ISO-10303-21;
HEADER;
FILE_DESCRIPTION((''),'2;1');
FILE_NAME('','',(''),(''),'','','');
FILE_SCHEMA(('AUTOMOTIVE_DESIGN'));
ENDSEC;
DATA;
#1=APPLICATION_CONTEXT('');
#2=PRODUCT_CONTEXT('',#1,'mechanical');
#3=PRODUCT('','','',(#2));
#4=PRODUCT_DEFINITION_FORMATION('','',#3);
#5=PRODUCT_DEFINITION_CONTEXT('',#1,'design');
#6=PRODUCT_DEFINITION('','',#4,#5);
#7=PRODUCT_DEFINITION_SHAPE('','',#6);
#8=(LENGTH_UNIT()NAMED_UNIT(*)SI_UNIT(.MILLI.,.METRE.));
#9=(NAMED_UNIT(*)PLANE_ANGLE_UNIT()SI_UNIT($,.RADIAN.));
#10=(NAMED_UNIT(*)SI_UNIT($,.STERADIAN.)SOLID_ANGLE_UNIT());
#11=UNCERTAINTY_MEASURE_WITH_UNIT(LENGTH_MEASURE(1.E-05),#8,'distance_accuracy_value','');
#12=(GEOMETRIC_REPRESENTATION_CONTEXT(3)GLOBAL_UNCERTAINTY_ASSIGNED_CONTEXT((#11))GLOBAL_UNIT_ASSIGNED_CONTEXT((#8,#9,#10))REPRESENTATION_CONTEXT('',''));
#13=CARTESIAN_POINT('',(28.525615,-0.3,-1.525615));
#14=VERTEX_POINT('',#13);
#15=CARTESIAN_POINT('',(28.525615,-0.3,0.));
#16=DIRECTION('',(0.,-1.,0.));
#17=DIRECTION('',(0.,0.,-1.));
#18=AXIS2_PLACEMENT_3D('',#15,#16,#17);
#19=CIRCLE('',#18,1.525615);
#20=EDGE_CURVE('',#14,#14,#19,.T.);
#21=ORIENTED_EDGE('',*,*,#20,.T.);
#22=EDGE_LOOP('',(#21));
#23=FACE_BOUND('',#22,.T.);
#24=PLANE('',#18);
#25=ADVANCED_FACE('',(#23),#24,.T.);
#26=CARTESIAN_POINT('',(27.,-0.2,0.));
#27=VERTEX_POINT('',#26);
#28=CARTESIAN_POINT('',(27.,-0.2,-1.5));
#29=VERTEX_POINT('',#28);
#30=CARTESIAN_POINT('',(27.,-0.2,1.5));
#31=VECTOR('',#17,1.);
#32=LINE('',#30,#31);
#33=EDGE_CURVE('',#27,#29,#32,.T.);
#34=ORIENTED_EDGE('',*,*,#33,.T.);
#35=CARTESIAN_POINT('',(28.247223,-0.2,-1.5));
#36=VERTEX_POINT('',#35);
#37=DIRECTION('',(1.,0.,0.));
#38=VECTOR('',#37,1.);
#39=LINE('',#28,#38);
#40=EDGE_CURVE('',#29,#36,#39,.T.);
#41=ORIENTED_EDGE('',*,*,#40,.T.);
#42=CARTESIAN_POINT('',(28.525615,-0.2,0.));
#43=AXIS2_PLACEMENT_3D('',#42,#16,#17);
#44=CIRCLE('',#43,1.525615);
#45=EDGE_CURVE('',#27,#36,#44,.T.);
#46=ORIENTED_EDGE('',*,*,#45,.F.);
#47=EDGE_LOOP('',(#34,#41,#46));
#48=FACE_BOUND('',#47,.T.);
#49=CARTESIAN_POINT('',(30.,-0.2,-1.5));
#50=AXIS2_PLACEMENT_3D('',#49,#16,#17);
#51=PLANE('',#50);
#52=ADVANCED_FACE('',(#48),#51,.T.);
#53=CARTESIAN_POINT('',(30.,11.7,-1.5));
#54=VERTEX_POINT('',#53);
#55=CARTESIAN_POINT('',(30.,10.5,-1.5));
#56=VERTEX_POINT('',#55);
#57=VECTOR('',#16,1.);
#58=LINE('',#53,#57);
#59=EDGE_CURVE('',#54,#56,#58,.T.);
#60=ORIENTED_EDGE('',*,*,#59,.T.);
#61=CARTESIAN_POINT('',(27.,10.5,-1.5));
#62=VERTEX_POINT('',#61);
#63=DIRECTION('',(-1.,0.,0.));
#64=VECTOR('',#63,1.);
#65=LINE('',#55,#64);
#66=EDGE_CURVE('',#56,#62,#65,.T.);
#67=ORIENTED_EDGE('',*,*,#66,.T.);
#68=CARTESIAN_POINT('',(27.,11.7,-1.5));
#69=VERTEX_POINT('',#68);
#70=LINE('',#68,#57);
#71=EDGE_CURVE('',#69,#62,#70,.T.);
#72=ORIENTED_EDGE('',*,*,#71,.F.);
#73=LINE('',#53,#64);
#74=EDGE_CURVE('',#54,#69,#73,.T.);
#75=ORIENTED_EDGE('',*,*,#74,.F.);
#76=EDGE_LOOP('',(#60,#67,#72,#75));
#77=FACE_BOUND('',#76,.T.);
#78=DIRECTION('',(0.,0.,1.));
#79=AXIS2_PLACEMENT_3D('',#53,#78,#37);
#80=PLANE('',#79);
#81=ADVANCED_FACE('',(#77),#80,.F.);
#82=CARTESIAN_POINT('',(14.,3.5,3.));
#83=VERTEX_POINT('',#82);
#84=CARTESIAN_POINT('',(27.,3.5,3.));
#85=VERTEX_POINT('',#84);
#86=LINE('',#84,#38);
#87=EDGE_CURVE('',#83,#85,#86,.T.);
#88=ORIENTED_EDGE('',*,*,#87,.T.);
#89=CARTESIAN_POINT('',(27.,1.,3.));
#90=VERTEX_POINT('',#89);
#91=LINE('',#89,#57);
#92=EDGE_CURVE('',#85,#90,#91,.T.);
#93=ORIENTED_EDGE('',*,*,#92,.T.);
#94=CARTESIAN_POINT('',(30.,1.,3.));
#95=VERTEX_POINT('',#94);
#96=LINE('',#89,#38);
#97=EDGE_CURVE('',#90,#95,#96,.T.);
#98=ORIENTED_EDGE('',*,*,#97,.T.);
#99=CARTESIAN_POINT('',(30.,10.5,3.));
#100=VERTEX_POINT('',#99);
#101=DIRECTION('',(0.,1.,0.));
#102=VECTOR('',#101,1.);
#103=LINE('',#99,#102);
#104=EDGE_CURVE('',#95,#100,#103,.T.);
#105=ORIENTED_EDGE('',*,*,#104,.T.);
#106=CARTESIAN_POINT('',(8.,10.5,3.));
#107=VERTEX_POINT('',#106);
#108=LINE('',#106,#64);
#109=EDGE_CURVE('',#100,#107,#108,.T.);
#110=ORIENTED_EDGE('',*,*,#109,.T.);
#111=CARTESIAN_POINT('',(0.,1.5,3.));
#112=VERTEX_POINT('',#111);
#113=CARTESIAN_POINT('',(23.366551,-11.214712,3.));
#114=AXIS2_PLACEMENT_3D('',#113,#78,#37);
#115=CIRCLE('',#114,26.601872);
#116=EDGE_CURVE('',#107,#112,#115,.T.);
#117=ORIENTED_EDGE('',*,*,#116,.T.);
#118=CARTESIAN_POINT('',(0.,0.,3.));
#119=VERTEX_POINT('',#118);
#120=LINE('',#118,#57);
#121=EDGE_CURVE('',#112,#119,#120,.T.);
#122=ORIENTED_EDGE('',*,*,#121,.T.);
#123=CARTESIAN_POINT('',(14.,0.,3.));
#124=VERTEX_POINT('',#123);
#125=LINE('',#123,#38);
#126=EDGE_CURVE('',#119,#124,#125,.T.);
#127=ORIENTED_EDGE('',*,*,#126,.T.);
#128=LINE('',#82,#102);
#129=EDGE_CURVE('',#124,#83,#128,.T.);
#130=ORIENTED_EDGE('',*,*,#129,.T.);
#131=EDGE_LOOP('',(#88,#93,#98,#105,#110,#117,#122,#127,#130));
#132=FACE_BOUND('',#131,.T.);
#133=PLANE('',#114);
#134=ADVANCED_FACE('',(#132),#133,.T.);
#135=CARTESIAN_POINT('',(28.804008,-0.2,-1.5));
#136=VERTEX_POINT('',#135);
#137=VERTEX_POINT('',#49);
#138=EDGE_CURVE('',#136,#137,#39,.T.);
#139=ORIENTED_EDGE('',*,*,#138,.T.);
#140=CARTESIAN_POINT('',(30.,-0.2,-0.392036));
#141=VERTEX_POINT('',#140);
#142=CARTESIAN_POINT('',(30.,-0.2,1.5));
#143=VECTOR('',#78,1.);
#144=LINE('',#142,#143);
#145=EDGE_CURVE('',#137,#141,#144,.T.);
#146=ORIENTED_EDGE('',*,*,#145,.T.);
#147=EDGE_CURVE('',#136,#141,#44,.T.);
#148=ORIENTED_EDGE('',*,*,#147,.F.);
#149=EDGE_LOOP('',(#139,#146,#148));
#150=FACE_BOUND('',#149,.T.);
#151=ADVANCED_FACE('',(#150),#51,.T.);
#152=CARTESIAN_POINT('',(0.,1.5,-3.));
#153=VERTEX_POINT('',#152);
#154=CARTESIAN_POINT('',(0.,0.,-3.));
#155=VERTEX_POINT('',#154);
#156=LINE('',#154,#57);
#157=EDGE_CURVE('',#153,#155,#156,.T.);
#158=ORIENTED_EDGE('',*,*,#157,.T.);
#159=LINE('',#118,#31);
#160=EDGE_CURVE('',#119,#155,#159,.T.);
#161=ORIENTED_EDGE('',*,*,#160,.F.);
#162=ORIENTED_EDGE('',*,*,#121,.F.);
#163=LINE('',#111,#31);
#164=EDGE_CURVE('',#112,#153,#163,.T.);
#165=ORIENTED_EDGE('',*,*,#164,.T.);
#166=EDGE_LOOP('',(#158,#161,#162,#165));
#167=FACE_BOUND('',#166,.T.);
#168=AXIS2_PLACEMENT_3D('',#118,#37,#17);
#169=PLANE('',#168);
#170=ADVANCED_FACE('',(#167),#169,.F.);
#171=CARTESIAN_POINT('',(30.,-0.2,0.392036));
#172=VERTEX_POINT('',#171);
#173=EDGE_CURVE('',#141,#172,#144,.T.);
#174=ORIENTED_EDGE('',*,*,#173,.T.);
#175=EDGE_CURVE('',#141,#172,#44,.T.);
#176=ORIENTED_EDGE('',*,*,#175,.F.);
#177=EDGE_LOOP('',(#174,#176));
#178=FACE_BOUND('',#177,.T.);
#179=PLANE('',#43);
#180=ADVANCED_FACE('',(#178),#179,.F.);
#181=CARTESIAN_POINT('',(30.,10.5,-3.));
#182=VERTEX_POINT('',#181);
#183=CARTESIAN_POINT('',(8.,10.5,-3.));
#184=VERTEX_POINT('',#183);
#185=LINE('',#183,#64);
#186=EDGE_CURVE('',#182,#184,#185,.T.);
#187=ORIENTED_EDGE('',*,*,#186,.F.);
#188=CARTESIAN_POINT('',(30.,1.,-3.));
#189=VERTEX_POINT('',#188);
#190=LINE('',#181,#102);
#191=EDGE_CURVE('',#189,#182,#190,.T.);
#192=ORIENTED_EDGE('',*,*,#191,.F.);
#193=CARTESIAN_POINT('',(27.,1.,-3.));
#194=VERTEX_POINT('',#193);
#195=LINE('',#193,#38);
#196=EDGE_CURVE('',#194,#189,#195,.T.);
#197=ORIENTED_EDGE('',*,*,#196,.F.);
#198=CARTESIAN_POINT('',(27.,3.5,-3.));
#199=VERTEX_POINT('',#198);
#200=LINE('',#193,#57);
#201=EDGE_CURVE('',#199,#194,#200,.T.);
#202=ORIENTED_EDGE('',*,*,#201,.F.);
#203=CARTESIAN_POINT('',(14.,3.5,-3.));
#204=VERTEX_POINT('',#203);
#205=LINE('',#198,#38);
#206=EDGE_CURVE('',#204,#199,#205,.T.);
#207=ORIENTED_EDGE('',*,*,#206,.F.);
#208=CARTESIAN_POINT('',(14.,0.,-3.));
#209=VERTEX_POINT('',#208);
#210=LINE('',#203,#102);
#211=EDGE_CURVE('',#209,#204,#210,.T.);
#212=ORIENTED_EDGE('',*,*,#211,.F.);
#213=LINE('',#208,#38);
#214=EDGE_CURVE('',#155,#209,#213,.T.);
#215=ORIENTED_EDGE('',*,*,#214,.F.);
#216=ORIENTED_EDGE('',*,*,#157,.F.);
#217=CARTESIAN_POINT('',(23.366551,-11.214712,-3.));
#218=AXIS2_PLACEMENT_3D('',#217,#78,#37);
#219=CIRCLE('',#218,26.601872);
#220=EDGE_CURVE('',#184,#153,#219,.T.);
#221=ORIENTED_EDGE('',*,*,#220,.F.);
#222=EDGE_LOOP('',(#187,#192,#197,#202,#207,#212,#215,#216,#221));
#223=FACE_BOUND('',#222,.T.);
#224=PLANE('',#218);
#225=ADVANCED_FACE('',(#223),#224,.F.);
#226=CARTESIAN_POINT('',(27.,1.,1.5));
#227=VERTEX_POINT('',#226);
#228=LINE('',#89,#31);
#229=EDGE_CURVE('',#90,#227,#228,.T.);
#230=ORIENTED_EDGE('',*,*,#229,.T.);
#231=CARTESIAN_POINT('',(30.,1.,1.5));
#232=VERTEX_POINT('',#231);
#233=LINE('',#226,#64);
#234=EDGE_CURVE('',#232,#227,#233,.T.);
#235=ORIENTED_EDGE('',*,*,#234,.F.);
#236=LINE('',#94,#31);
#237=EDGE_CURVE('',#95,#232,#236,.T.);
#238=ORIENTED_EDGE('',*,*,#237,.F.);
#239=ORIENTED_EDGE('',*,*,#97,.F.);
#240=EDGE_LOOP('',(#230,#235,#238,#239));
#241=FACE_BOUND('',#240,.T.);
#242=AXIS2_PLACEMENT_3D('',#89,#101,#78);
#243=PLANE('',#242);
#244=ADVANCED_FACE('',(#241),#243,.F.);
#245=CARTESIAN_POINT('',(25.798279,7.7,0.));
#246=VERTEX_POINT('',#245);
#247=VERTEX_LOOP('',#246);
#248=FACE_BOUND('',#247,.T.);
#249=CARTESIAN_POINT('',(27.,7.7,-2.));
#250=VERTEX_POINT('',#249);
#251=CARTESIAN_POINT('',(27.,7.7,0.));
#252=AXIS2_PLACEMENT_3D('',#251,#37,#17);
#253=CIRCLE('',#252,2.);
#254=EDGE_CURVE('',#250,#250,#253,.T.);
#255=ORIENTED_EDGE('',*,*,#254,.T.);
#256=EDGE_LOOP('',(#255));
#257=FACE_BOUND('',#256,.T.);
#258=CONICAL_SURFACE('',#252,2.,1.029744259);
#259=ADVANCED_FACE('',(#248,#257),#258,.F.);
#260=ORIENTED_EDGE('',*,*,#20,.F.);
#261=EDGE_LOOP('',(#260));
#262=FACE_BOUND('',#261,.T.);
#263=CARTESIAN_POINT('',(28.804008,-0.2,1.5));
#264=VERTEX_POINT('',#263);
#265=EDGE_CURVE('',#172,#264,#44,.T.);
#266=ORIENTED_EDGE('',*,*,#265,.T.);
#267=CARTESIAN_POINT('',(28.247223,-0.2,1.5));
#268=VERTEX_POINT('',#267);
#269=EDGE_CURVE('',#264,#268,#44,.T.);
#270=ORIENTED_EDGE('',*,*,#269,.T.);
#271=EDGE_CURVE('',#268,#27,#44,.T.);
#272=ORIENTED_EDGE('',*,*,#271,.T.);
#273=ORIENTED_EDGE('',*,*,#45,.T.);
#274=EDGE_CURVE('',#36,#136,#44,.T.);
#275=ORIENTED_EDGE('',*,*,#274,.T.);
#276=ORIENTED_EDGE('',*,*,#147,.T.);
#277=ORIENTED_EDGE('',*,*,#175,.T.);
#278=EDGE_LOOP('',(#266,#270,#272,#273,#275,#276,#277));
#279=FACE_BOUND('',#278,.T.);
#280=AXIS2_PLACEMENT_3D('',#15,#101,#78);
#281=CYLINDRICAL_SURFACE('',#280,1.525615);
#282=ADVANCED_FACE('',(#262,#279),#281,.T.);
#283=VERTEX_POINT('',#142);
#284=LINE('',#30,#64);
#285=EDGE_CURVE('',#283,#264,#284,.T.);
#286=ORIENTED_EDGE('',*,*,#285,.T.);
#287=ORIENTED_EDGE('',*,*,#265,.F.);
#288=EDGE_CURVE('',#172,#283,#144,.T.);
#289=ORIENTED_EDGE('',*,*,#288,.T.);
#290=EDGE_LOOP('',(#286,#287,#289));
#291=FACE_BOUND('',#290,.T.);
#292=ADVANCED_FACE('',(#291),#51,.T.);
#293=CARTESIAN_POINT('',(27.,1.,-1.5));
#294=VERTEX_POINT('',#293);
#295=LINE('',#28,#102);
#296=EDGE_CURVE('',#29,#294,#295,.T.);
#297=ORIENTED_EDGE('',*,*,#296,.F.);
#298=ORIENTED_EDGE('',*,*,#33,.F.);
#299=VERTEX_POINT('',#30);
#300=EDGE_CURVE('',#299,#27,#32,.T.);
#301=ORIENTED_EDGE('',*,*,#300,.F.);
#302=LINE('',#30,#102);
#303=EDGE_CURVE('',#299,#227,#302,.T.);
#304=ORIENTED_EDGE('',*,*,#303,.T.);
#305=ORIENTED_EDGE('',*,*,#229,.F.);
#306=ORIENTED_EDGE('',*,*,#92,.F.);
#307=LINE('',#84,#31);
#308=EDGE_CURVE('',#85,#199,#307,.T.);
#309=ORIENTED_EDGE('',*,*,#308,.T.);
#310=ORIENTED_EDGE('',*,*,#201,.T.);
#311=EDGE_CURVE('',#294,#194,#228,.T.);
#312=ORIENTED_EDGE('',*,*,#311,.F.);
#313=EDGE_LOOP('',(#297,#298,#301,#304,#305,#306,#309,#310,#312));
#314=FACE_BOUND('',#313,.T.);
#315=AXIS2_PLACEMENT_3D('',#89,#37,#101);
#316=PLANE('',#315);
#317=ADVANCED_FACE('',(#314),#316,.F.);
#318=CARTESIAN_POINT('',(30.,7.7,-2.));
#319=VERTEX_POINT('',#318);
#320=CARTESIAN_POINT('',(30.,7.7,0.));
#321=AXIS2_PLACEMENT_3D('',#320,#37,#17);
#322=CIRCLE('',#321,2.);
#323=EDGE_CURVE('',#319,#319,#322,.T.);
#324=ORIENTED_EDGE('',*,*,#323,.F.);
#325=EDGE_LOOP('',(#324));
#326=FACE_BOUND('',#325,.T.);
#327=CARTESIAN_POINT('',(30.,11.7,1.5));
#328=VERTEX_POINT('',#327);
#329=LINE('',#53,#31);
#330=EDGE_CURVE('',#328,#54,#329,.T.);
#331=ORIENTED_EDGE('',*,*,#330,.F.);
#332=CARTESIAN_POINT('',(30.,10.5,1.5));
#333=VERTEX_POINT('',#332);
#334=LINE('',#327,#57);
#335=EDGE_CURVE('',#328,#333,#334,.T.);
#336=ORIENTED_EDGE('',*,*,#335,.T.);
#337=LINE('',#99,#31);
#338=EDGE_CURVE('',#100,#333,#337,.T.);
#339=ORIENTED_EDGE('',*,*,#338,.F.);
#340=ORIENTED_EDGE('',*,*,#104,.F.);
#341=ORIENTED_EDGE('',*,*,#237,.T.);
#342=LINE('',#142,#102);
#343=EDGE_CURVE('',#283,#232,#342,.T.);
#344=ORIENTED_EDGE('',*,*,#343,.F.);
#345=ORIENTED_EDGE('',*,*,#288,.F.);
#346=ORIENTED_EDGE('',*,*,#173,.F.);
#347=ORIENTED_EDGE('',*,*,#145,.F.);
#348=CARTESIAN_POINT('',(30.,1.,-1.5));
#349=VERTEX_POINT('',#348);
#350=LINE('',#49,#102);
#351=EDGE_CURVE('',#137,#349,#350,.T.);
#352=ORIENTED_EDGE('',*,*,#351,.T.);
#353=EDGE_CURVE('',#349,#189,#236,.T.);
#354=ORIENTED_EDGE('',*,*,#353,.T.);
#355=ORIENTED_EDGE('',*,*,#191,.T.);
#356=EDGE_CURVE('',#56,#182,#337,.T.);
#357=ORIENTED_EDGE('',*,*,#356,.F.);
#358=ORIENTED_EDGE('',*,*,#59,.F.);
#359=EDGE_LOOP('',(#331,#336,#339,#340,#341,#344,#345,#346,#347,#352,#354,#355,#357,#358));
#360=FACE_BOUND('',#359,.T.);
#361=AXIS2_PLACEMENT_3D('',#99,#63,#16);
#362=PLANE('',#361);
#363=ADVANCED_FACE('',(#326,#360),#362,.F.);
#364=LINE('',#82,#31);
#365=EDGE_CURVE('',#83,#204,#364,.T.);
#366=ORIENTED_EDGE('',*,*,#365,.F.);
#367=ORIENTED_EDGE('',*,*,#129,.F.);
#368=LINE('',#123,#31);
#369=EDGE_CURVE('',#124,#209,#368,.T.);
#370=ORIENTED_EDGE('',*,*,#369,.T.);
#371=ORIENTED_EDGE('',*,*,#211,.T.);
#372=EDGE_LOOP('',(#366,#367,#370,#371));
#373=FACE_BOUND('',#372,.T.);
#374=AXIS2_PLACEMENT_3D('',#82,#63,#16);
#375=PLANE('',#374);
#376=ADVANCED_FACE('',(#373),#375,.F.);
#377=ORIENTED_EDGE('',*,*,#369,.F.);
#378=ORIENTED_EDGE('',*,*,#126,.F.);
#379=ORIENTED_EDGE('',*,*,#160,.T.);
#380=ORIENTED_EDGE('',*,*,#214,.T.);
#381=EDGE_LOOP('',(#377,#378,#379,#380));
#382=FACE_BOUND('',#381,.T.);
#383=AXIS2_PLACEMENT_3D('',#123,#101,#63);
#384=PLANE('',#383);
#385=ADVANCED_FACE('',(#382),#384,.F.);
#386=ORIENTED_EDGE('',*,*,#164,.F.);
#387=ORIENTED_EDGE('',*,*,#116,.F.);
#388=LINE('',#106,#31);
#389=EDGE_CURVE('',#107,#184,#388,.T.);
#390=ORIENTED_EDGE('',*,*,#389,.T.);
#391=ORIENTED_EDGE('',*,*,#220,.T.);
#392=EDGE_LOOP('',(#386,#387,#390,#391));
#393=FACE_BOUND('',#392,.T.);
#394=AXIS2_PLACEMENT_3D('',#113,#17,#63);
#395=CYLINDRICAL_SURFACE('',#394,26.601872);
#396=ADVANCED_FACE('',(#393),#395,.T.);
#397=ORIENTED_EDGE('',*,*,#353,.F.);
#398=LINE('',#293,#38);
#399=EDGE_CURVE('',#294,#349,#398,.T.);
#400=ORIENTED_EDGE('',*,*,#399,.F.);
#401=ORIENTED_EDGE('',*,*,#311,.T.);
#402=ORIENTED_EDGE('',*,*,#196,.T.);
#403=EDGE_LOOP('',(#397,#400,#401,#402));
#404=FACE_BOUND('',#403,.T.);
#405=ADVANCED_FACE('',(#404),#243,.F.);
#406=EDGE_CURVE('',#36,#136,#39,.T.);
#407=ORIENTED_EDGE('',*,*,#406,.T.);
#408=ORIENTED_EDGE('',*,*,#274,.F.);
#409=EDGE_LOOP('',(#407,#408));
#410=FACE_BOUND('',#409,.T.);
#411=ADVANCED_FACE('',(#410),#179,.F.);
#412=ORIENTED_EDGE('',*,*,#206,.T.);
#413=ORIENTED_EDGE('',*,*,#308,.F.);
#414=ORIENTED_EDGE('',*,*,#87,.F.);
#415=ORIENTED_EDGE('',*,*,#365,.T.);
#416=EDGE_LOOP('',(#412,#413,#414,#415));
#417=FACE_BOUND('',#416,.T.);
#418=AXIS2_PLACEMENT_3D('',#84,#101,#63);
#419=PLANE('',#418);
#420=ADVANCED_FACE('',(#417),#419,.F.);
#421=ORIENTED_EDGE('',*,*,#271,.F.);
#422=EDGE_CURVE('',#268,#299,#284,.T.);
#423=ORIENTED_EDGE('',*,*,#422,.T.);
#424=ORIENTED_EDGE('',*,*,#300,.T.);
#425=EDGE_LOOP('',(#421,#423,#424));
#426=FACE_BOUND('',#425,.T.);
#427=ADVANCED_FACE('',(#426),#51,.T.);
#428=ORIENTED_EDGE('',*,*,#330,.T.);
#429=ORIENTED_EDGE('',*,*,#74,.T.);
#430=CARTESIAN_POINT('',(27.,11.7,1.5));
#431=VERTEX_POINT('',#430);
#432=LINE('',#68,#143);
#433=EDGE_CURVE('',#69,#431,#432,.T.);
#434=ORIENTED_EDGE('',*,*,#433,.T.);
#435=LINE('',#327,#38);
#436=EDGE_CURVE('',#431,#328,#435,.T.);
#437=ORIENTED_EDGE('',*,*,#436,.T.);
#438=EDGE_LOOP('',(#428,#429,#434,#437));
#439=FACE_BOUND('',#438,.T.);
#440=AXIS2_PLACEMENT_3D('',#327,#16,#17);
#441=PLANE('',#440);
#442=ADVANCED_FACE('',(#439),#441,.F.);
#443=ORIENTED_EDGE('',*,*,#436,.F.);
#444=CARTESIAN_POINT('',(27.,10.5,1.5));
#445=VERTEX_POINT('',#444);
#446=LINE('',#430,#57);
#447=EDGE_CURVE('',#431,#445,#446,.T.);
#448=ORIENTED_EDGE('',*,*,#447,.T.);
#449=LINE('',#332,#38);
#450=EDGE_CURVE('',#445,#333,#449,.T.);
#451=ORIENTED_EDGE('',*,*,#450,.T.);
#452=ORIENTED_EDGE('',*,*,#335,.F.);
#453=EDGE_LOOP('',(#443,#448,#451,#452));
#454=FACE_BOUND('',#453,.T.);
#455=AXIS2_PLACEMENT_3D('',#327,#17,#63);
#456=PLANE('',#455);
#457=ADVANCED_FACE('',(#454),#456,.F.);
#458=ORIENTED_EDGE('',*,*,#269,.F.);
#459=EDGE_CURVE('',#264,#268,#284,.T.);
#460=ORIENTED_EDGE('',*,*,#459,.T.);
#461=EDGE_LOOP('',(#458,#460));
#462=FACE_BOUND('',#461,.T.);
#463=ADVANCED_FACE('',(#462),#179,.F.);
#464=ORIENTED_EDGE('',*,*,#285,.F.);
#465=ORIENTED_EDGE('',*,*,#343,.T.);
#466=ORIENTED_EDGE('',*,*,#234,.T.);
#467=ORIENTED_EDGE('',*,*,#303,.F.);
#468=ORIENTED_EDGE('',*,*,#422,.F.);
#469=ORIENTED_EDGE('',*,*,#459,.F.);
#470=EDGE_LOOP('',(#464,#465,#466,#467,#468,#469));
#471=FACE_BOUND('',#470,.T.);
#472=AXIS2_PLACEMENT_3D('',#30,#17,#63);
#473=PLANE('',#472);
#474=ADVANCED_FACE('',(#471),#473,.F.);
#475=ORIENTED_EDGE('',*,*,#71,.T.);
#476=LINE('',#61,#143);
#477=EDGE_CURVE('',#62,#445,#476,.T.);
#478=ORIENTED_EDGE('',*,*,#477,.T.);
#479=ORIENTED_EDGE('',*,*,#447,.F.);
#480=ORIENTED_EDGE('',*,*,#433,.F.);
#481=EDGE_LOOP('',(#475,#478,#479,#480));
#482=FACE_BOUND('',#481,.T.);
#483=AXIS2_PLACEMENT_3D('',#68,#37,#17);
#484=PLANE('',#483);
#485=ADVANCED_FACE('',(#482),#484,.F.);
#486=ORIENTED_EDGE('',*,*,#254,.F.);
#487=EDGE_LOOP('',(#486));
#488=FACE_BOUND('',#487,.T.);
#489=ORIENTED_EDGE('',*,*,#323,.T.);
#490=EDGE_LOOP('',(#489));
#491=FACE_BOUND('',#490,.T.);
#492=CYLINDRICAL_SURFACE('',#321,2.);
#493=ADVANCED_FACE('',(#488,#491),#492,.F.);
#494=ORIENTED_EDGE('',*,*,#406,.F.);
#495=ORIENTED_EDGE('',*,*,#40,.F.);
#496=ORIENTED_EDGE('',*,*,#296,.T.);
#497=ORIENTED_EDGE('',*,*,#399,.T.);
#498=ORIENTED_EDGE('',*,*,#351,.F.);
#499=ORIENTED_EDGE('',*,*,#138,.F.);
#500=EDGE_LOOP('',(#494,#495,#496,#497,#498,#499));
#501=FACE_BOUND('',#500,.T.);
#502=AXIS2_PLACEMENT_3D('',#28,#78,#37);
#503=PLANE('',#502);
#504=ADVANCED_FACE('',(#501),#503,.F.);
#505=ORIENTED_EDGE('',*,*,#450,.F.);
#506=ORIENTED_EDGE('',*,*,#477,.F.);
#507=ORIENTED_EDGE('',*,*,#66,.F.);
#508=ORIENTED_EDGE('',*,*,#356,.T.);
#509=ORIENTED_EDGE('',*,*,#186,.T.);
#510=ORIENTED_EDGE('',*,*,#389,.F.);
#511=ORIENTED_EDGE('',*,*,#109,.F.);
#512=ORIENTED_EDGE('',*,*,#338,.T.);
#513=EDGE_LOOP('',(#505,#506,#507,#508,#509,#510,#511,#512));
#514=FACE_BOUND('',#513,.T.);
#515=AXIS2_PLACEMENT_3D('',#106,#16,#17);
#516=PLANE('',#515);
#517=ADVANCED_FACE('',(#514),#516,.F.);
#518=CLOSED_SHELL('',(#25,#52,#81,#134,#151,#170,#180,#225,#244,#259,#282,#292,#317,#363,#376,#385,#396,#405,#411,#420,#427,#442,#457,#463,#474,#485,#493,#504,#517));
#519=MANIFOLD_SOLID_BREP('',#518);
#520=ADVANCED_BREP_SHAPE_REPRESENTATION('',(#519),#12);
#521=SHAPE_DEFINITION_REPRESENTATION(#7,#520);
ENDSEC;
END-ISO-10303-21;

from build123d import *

# Parameters (mm, degrees)
EXTRUSION1_DEPTH                  = 3
ESQUISSE2_W                       = 3
ESQUISSE2_H                       = 3
EXTRUSION2_DEPTH                  = 1.2
ESQUISSE3_W                       = 3
ESQUISSE3_H                       = 3
EXTRUSION3_DEPTH                  = 1.2
DIAM_TRE_DU_PER_AGE_4_0_4_1_D     = 4
DIAM_TRE_DU_PER_AGE_4_0_4_1_DEPTH = 3
DIAM_TRE_DU_PER_AGE_4_0_4_1_TIP   = 1.201721238
ESQUISSE6_R                       = 1.525615423
EXTRUSION4_DEPTH                  = 0.1


with BuildPart() as part:
    # Esquisse1 → Extrusion1 (new body, symmetric)
    with BuildSketch(Plane.XY):
        with BuildLine():
            Line((0, 0), (0, 1.5))
            ThreePointArc((0, 1.5), (3.484063784, 6.45860997), (8, 10.5))
            Line((8, 10.5), (30, 10.5))
            Line((30, 10.5), (30, 1))
            Line((30, 1), (27, 1))
            Line((27, 1), (27, 3.5))
            Line((27, 3.5), (14, 3.5))
            Line((14, 3.5), (14, 0))
            Line((14, 0), (0, 0))
        make_face()
    extrude(amount=EXTRUSION1_DEPTH, both=True)

    # Esquisse2 → Extrusion2 (add)
    with BuildSketch(Plane(origin=(0, 10.5, 0), x_dir=(1, 0, 0), z_dir=(0, 1, 0))):
        with Locations((28.5, 0)):
            Rectangle(ESQUISSE2_W, ESQUISSE2_H)
    extrude(amount=EXTRUSION2_DEPTH)

    # Esquisse3 → Extrusion3 (add)
    with BuildSketch(Plane.XZ.offset(-1)):
        with Locations((28.5, 0)):
            Rectangle(ESQUISSE3_W, ESQUISSE3_H)
    extrude(amount=EXTRUSION3_DEPTH)

    # Diamètre du perçage Ø4.0 (4)1
    with Locations(Plane(origin=(30, 0, 0), x_dir=(0, 0, -1), z_dir=(1, 0, 0))):
        with Locations((0, 7.7)):
            Hole(DIAM_TRE_DU_PER_AGE_4_0_4_1_D / 2, depth=DIAM_TRE_DU_PER_AGE_4_0_4_1_DEPTH)
            with Locations((0, 0, -(DIAM_TRE_DU_PER_AGE_4_0_4_1_DEPTH + DIAM_TRE_DU_PER_AGE_4_0_4_1_TIP / 2))):  # 118° drill point
                Cone(0, DIAM_TRE_DU_PER_AGE_4_0_4_1_D / 2, DIAM_TRE_DU_PER_AGE_4_0_4_1_TIP, mode=Mode.SUBTRACT)

    # Esquisse6 → Extrusion4 (add)
    with BuildSketch(Plane.XZ.offset(0.2)):
        with Locations((28.525615423, 0)):
            Circle(ESQUISSE6_R)
    extrude(amount=EXTRUSION4_DEPTH)


solid = part.part
